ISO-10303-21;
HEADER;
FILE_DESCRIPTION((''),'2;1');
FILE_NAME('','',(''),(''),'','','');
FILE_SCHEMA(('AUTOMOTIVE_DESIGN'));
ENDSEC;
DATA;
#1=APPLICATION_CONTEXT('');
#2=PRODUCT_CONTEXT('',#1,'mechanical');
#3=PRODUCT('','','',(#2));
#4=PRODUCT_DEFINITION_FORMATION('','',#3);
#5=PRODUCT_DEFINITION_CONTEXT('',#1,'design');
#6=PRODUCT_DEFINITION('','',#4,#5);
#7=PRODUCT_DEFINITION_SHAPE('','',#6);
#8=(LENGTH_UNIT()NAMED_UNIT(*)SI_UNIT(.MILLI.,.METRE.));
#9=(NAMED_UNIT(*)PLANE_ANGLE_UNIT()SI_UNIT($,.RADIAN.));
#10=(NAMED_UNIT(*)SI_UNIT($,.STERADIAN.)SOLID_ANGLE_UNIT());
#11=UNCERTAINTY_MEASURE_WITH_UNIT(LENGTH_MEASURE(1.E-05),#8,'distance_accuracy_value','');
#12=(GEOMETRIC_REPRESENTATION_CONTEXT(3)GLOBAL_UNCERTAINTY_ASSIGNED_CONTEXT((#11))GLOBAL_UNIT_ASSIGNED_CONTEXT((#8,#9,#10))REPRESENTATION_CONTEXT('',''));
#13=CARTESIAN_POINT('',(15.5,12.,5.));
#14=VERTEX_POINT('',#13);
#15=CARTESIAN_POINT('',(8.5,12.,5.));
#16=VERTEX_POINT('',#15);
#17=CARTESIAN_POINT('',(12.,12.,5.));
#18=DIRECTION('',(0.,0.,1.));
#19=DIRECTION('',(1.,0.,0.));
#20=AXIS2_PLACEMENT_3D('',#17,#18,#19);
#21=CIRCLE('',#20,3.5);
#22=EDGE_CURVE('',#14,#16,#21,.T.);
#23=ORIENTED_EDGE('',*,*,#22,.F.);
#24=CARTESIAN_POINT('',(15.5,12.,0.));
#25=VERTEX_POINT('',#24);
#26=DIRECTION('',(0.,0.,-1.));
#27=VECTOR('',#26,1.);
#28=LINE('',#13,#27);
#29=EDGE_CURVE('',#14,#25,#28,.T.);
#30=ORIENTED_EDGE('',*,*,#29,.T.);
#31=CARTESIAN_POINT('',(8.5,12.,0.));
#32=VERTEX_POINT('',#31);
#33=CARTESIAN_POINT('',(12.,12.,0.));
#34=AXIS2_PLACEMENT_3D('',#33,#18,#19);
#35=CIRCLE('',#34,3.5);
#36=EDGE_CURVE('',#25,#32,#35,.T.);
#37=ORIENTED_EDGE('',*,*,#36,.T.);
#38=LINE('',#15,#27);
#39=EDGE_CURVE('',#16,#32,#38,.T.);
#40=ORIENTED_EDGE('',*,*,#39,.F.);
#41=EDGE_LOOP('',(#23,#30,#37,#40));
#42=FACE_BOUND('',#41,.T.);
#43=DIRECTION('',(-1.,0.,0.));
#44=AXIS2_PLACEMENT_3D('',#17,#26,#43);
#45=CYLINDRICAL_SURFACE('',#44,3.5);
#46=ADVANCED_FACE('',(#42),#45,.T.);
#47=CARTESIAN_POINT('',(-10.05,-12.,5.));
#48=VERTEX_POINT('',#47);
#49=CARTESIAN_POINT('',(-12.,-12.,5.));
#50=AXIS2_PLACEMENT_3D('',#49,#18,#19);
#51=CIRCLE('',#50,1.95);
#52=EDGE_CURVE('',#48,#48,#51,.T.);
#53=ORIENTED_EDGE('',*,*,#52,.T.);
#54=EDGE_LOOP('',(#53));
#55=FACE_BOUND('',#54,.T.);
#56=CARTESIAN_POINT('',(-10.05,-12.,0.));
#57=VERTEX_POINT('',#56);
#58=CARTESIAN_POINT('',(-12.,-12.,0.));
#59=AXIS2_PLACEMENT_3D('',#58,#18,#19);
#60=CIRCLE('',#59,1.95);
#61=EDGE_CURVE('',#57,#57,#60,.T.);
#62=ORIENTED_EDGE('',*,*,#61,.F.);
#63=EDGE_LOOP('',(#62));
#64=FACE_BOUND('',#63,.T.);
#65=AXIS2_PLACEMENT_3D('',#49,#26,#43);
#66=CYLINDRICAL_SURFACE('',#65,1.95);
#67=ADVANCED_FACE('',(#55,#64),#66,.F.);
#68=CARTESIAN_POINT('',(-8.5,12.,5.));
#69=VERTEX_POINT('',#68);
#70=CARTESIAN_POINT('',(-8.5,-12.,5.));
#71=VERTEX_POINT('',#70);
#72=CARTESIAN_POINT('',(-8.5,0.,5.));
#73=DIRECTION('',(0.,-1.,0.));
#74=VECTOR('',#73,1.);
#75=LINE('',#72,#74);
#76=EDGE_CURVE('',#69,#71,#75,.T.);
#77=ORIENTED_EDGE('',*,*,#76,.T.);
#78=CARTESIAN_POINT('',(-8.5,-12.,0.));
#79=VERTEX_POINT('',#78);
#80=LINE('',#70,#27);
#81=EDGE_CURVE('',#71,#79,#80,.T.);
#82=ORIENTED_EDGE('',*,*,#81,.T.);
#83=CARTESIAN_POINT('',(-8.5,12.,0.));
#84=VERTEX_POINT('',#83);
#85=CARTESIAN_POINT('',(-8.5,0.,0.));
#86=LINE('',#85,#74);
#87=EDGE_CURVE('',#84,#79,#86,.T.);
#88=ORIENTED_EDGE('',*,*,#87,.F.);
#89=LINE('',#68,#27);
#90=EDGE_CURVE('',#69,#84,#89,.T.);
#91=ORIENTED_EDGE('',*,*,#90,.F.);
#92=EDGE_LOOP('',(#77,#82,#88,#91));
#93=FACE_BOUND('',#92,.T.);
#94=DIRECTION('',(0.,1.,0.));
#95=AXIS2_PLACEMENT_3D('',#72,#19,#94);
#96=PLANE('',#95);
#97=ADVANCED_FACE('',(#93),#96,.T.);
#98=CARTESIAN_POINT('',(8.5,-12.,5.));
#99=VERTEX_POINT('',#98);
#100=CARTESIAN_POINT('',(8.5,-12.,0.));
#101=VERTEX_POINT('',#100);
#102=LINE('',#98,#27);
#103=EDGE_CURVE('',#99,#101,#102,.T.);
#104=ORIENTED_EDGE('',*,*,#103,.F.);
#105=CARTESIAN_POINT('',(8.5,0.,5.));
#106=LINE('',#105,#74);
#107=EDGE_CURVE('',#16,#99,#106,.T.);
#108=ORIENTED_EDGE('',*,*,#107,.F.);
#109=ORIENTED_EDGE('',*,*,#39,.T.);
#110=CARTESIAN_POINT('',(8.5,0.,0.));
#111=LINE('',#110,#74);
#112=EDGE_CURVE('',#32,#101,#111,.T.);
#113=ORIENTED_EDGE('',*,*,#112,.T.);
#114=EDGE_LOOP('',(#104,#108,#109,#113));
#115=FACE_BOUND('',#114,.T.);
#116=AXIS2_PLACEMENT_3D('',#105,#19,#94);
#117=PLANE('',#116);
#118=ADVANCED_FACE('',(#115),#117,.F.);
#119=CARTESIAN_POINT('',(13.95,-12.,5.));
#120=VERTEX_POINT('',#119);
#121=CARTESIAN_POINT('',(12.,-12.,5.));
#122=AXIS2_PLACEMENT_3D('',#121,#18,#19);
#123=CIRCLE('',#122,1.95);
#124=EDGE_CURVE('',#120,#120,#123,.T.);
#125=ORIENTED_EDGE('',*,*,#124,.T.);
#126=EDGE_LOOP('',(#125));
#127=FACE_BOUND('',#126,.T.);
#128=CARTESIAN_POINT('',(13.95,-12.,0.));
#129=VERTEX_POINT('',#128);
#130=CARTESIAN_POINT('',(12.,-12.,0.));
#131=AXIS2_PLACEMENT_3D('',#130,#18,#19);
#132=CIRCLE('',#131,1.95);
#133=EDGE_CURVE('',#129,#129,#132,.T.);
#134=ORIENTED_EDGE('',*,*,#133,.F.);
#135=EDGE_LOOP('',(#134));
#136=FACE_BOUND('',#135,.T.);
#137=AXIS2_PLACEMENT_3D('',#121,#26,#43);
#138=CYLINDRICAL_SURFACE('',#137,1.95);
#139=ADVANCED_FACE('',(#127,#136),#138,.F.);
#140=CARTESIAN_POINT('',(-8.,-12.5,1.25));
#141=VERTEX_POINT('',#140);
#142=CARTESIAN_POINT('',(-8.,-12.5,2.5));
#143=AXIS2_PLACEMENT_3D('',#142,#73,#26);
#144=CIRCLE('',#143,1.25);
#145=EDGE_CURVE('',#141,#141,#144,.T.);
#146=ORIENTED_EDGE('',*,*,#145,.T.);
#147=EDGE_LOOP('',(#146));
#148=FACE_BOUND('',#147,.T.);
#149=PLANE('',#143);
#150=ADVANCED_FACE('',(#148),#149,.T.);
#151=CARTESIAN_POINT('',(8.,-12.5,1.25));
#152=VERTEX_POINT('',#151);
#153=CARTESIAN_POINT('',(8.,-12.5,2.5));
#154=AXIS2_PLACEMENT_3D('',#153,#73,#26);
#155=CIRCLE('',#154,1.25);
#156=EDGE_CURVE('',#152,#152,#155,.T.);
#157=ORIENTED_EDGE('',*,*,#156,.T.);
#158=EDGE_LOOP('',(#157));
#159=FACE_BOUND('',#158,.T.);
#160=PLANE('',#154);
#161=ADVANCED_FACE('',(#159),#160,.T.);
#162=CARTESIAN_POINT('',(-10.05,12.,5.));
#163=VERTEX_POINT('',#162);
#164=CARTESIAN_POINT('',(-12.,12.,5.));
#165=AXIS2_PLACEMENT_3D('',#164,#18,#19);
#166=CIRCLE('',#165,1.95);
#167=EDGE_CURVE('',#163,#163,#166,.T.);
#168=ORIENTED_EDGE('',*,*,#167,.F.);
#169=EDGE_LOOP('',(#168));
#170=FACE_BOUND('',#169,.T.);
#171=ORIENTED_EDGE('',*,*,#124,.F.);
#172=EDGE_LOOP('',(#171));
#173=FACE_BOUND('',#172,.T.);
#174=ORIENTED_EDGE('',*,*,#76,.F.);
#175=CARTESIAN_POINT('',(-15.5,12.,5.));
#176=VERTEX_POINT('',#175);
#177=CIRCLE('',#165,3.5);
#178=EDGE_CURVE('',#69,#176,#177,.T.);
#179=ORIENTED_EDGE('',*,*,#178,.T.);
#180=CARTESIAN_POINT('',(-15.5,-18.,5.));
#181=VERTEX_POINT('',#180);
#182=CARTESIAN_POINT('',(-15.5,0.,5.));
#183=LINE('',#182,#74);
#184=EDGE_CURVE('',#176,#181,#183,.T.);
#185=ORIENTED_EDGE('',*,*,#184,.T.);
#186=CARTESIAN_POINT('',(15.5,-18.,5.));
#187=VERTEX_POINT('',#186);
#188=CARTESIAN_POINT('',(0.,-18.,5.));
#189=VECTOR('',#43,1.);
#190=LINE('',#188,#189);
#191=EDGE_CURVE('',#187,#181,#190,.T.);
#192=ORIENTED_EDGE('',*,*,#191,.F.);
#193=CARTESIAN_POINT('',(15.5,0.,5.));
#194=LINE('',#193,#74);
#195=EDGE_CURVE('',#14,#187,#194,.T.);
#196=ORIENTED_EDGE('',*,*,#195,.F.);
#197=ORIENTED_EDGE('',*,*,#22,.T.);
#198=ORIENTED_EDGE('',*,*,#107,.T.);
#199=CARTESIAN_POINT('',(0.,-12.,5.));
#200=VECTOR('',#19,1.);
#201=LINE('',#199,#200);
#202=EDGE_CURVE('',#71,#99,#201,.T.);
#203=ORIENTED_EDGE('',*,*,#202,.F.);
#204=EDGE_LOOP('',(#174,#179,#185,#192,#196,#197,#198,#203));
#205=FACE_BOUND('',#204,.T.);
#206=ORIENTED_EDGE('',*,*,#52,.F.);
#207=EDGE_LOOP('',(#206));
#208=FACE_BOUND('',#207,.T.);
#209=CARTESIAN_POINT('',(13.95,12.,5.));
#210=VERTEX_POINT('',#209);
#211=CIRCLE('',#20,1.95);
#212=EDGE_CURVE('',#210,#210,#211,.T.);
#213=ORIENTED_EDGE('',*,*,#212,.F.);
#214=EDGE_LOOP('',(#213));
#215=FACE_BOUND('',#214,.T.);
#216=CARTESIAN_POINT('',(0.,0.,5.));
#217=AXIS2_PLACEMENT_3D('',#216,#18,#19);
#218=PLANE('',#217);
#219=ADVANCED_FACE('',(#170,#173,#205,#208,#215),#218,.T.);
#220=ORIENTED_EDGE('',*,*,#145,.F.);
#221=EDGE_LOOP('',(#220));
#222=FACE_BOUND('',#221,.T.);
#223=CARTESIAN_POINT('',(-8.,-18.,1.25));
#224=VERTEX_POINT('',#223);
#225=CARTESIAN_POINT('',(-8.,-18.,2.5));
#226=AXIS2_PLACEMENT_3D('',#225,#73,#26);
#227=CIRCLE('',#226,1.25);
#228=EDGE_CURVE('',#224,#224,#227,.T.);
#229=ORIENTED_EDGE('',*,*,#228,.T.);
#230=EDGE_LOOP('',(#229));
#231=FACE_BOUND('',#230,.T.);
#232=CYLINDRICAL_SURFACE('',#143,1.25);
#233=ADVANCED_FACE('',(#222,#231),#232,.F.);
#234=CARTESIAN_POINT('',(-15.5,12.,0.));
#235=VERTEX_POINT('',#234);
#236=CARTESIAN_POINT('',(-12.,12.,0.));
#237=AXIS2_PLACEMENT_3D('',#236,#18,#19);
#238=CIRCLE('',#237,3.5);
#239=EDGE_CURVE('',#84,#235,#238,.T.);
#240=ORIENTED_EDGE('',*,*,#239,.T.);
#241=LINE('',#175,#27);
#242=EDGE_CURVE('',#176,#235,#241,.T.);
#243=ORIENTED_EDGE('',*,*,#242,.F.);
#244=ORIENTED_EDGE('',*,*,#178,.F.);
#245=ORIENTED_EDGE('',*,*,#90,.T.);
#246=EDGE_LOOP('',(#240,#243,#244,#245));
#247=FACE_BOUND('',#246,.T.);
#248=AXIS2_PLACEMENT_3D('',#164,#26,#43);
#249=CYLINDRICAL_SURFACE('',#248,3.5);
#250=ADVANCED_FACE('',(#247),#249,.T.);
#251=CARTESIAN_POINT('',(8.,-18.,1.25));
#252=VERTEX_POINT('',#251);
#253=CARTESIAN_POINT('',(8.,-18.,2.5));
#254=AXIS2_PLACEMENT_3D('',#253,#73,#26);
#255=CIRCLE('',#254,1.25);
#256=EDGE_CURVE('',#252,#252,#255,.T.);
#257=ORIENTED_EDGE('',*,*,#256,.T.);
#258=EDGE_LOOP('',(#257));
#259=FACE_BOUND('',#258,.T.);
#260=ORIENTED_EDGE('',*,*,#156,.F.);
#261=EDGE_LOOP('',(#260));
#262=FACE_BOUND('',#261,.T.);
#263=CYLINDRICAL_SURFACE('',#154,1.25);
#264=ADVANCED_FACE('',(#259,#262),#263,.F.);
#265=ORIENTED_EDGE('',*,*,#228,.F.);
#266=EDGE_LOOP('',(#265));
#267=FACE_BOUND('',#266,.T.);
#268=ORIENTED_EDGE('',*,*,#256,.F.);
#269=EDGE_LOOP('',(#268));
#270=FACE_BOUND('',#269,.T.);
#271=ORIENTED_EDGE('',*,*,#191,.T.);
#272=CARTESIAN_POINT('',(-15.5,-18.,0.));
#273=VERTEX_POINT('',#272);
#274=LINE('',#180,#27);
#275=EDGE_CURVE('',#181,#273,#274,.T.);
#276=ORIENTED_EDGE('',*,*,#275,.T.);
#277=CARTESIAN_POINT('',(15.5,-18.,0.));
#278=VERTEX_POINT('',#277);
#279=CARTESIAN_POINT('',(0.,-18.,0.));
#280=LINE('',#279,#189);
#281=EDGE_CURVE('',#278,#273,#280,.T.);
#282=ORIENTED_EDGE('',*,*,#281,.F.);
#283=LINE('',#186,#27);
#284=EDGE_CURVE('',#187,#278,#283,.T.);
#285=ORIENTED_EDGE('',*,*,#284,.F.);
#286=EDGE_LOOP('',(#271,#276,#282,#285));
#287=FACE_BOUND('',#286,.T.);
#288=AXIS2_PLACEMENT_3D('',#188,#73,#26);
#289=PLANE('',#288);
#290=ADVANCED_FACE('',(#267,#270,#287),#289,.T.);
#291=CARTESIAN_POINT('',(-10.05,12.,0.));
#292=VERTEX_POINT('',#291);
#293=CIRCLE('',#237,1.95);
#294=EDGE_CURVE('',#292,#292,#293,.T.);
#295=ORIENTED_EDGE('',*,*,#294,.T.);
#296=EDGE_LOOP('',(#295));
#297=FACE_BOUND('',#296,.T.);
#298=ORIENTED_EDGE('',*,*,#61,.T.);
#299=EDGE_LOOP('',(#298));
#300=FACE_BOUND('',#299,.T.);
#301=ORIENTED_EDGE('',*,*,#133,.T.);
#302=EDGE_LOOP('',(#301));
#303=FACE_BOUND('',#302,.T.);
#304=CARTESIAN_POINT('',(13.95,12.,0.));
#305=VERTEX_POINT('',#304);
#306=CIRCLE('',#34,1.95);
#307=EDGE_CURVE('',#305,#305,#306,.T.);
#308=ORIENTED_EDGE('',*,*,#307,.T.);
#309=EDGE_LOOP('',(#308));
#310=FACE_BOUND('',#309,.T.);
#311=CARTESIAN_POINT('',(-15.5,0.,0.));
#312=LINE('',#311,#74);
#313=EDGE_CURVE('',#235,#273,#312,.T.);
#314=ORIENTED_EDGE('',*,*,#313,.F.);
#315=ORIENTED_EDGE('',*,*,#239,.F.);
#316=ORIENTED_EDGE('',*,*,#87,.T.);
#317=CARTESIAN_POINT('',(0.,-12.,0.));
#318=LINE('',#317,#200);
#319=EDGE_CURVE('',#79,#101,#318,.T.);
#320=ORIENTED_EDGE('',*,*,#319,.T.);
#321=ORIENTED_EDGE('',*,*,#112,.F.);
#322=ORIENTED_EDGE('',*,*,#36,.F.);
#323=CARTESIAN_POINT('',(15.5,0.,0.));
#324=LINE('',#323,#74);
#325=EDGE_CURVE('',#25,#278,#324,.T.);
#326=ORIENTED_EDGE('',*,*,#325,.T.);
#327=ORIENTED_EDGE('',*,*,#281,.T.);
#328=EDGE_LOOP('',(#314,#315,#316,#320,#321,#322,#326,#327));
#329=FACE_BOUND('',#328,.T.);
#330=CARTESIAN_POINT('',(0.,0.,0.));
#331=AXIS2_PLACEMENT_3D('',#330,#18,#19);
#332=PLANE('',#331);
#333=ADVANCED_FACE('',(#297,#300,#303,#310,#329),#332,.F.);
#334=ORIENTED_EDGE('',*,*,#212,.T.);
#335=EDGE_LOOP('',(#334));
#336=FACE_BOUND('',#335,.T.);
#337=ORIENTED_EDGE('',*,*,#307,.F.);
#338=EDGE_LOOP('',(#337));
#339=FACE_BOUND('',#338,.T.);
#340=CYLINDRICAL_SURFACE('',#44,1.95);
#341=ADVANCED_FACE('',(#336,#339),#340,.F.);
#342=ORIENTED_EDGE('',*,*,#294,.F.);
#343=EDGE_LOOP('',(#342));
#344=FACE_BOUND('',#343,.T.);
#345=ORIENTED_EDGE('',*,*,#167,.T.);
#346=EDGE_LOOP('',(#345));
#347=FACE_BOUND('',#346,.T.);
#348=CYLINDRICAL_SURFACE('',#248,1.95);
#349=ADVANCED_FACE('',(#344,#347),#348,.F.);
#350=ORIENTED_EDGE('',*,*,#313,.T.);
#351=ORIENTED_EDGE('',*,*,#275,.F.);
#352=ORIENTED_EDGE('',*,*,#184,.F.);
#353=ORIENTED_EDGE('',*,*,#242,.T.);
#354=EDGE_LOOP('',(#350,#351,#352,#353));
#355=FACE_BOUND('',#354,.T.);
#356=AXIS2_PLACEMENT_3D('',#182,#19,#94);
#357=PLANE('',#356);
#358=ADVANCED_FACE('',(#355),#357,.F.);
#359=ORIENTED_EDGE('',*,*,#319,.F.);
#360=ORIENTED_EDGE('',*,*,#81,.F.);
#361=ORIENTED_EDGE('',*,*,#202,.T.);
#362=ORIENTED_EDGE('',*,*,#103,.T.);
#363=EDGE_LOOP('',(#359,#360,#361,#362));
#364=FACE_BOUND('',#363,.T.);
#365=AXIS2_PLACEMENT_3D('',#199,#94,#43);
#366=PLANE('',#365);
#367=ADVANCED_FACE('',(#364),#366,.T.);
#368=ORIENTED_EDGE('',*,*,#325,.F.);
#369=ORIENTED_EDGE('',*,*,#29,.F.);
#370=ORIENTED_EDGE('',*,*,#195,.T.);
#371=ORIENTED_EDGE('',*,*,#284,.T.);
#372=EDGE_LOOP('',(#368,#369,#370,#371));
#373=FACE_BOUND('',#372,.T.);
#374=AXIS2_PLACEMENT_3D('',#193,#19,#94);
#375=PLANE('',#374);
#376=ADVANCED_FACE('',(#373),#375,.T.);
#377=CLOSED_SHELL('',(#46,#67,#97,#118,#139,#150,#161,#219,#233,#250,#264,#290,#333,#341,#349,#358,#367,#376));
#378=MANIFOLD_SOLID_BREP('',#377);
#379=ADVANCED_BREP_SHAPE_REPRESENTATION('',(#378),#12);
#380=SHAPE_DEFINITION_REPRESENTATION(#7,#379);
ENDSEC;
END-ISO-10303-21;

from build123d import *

# Parameters (mm, degrees)
SKETCH1_R           = 1.95
BOSS_EXTRUDE1_DEPTH = 5
SKETCH4_R           = 1.25
CUT_EXTRUDE3_DEPTH  = 5.5


with BuildPart() as part:
    # Sketch1 → Boss-Extrude1 (new body)
    with BuildSketch(Plane.XY):
        with BuildLine():
            ThreePointArc((-8.5, 12), (-12, 15.5), (-15.5, 12))
            Line((-15.5, 12), (-15.5, -12))
            Line((-15.5, -12), (-15.5, -12.97105896))
            Line((-15.5, -12.97105896), (-15.5, -18))
            Line((-15.5, -18), (0, -18))
            Line((0, -18), (15.5, -18))
            Line((15.5, -18), (15.5, -12))
            Line((15.5, -12), (15.5, 12))
            ThreePointArc((15.5, 12), (12, 15.5), (8.5, 12))
            Line((8.5, 12), (8.5, -12))
            Line((8.5, -12), (0, -12))
            Line((0, -12), (-8.5, -12))
            Line((-8.5, -12), (-8.5, 12))
        make_face()
        with Locations((-12, -12)):
            Circle(SKETCH1_R, mode=Mode.SUBTRACT)
        with Locations((12, -12)):
            Circle(SKETCH1_R, mode=Mode.SUBTRACT)
        with Locations((-12, 12)):
            Circle(SKETCH1_R, mode=Mode.SUBTRACT)
        with Locations((12, 12)):
            Circle(SKETCH1_R, mode=Mode.SUBTRACT)
    extrude(amount=BOSS_EXTRUDE1_DEPTH)

    # Sketch4 → Cut-Extrude3 (cut)
    with BuildSketch(Plane.XZ.offset(18)):
        with Locations((-8, 2.5)):
            Circle(SKETCH4_R)
        with Locations((8, 2.5)):
            Circle(SKETCH4_R)
    extrude(amount=-CUT_EXTRUDE3_DEPTH, mode=Mode.SUBTRACT)


solid = part.part
